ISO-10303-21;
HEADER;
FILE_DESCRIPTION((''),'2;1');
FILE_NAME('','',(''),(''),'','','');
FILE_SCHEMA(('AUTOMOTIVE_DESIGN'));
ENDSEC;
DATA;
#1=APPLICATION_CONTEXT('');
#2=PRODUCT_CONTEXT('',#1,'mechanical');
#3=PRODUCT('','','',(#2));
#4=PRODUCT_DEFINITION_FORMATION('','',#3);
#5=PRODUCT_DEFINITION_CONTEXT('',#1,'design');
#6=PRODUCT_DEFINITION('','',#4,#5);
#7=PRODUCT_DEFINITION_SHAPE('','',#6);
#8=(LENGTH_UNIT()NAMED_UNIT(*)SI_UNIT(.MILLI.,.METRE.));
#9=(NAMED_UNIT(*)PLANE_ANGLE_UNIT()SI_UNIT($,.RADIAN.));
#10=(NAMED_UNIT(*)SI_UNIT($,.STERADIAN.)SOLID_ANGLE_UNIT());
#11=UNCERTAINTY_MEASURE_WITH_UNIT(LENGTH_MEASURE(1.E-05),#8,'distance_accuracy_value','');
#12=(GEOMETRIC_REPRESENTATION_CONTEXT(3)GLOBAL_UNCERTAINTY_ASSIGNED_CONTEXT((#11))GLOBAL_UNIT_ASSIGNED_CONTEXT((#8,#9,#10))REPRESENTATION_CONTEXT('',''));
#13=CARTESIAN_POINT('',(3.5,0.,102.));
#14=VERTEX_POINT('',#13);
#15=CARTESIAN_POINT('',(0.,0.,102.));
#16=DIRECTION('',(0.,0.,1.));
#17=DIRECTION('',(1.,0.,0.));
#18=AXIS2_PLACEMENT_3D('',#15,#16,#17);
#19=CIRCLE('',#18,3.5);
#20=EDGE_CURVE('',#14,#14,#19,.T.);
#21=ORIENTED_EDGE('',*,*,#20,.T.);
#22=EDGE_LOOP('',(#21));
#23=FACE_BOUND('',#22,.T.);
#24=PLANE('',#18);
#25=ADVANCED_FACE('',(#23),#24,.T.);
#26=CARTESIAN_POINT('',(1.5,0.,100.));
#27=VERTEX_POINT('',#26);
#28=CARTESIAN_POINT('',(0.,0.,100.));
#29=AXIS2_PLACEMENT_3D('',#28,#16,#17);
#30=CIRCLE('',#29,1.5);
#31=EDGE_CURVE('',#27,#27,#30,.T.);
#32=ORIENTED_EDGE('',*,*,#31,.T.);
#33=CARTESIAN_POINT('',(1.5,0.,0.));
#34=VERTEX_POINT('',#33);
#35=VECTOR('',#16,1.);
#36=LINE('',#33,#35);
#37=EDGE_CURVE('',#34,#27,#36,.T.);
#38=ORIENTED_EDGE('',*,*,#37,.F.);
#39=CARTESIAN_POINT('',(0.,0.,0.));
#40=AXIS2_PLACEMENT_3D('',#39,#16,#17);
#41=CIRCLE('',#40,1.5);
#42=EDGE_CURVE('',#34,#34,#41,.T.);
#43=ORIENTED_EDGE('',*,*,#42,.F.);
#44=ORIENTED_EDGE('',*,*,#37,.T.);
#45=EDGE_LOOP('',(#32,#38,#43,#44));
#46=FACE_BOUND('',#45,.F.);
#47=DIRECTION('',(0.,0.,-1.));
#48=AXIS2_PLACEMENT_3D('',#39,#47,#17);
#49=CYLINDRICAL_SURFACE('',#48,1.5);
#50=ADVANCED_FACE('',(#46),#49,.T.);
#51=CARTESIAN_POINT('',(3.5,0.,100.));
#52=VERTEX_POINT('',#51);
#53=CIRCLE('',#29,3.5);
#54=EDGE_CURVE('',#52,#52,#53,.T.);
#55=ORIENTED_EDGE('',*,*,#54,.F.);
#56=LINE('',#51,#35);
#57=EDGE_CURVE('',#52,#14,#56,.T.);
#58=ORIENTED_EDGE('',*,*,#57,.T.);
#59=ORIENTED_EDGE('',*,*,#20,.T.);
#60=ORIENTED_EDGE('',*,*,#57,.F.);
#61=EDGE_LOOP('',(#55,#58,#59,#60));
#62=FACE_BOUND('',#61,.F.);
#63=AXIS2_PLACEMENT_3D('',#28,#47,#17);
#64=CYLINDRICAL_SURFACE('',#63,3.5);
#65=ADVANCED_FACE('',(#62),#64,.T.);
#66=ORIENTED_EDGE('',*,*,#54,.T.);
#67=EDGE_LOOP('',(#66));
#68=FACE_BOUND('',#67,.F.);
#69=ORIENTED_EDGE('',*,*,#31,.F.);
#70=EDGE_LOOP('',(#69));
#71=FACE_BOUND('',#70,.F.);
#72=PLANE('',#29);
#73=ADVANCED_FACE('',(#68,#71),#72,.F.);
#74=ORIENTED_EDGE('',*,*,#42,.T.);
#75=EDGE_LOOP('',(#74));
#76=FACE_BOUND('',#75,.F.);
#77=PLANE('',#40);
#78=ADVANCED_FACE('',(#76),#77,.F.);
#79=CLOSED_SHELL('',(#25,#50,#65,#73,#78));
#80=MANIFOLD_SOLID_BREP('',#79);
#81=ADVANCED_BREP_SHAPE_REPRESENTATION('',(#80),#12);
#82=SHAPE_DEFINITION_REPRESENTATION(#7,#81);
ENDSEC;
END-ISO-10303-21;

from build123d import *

# Parameters (mm, degrees)
SKETCH_R     = 1.5
PAD_DEPTH    = 100
SKETCH001_R  = 3.5
PAD001_DEPTH = 2


with BuildPart() as part:
    # Sketch → Pad (new body)
    with BuildSketch(Plane.XY):
        Circle(SKETCH_R)
    extrude(amount=PAD_DEPTH)

    # Sketch001 (on Face3 of Pad) → Pad001 (join)
    with BuildSketch(Plane.XY.offset(100)):
        Circle(SKETCH001_R)
    extrude(amount=PAD001_DEPTH)


solid = part.part
